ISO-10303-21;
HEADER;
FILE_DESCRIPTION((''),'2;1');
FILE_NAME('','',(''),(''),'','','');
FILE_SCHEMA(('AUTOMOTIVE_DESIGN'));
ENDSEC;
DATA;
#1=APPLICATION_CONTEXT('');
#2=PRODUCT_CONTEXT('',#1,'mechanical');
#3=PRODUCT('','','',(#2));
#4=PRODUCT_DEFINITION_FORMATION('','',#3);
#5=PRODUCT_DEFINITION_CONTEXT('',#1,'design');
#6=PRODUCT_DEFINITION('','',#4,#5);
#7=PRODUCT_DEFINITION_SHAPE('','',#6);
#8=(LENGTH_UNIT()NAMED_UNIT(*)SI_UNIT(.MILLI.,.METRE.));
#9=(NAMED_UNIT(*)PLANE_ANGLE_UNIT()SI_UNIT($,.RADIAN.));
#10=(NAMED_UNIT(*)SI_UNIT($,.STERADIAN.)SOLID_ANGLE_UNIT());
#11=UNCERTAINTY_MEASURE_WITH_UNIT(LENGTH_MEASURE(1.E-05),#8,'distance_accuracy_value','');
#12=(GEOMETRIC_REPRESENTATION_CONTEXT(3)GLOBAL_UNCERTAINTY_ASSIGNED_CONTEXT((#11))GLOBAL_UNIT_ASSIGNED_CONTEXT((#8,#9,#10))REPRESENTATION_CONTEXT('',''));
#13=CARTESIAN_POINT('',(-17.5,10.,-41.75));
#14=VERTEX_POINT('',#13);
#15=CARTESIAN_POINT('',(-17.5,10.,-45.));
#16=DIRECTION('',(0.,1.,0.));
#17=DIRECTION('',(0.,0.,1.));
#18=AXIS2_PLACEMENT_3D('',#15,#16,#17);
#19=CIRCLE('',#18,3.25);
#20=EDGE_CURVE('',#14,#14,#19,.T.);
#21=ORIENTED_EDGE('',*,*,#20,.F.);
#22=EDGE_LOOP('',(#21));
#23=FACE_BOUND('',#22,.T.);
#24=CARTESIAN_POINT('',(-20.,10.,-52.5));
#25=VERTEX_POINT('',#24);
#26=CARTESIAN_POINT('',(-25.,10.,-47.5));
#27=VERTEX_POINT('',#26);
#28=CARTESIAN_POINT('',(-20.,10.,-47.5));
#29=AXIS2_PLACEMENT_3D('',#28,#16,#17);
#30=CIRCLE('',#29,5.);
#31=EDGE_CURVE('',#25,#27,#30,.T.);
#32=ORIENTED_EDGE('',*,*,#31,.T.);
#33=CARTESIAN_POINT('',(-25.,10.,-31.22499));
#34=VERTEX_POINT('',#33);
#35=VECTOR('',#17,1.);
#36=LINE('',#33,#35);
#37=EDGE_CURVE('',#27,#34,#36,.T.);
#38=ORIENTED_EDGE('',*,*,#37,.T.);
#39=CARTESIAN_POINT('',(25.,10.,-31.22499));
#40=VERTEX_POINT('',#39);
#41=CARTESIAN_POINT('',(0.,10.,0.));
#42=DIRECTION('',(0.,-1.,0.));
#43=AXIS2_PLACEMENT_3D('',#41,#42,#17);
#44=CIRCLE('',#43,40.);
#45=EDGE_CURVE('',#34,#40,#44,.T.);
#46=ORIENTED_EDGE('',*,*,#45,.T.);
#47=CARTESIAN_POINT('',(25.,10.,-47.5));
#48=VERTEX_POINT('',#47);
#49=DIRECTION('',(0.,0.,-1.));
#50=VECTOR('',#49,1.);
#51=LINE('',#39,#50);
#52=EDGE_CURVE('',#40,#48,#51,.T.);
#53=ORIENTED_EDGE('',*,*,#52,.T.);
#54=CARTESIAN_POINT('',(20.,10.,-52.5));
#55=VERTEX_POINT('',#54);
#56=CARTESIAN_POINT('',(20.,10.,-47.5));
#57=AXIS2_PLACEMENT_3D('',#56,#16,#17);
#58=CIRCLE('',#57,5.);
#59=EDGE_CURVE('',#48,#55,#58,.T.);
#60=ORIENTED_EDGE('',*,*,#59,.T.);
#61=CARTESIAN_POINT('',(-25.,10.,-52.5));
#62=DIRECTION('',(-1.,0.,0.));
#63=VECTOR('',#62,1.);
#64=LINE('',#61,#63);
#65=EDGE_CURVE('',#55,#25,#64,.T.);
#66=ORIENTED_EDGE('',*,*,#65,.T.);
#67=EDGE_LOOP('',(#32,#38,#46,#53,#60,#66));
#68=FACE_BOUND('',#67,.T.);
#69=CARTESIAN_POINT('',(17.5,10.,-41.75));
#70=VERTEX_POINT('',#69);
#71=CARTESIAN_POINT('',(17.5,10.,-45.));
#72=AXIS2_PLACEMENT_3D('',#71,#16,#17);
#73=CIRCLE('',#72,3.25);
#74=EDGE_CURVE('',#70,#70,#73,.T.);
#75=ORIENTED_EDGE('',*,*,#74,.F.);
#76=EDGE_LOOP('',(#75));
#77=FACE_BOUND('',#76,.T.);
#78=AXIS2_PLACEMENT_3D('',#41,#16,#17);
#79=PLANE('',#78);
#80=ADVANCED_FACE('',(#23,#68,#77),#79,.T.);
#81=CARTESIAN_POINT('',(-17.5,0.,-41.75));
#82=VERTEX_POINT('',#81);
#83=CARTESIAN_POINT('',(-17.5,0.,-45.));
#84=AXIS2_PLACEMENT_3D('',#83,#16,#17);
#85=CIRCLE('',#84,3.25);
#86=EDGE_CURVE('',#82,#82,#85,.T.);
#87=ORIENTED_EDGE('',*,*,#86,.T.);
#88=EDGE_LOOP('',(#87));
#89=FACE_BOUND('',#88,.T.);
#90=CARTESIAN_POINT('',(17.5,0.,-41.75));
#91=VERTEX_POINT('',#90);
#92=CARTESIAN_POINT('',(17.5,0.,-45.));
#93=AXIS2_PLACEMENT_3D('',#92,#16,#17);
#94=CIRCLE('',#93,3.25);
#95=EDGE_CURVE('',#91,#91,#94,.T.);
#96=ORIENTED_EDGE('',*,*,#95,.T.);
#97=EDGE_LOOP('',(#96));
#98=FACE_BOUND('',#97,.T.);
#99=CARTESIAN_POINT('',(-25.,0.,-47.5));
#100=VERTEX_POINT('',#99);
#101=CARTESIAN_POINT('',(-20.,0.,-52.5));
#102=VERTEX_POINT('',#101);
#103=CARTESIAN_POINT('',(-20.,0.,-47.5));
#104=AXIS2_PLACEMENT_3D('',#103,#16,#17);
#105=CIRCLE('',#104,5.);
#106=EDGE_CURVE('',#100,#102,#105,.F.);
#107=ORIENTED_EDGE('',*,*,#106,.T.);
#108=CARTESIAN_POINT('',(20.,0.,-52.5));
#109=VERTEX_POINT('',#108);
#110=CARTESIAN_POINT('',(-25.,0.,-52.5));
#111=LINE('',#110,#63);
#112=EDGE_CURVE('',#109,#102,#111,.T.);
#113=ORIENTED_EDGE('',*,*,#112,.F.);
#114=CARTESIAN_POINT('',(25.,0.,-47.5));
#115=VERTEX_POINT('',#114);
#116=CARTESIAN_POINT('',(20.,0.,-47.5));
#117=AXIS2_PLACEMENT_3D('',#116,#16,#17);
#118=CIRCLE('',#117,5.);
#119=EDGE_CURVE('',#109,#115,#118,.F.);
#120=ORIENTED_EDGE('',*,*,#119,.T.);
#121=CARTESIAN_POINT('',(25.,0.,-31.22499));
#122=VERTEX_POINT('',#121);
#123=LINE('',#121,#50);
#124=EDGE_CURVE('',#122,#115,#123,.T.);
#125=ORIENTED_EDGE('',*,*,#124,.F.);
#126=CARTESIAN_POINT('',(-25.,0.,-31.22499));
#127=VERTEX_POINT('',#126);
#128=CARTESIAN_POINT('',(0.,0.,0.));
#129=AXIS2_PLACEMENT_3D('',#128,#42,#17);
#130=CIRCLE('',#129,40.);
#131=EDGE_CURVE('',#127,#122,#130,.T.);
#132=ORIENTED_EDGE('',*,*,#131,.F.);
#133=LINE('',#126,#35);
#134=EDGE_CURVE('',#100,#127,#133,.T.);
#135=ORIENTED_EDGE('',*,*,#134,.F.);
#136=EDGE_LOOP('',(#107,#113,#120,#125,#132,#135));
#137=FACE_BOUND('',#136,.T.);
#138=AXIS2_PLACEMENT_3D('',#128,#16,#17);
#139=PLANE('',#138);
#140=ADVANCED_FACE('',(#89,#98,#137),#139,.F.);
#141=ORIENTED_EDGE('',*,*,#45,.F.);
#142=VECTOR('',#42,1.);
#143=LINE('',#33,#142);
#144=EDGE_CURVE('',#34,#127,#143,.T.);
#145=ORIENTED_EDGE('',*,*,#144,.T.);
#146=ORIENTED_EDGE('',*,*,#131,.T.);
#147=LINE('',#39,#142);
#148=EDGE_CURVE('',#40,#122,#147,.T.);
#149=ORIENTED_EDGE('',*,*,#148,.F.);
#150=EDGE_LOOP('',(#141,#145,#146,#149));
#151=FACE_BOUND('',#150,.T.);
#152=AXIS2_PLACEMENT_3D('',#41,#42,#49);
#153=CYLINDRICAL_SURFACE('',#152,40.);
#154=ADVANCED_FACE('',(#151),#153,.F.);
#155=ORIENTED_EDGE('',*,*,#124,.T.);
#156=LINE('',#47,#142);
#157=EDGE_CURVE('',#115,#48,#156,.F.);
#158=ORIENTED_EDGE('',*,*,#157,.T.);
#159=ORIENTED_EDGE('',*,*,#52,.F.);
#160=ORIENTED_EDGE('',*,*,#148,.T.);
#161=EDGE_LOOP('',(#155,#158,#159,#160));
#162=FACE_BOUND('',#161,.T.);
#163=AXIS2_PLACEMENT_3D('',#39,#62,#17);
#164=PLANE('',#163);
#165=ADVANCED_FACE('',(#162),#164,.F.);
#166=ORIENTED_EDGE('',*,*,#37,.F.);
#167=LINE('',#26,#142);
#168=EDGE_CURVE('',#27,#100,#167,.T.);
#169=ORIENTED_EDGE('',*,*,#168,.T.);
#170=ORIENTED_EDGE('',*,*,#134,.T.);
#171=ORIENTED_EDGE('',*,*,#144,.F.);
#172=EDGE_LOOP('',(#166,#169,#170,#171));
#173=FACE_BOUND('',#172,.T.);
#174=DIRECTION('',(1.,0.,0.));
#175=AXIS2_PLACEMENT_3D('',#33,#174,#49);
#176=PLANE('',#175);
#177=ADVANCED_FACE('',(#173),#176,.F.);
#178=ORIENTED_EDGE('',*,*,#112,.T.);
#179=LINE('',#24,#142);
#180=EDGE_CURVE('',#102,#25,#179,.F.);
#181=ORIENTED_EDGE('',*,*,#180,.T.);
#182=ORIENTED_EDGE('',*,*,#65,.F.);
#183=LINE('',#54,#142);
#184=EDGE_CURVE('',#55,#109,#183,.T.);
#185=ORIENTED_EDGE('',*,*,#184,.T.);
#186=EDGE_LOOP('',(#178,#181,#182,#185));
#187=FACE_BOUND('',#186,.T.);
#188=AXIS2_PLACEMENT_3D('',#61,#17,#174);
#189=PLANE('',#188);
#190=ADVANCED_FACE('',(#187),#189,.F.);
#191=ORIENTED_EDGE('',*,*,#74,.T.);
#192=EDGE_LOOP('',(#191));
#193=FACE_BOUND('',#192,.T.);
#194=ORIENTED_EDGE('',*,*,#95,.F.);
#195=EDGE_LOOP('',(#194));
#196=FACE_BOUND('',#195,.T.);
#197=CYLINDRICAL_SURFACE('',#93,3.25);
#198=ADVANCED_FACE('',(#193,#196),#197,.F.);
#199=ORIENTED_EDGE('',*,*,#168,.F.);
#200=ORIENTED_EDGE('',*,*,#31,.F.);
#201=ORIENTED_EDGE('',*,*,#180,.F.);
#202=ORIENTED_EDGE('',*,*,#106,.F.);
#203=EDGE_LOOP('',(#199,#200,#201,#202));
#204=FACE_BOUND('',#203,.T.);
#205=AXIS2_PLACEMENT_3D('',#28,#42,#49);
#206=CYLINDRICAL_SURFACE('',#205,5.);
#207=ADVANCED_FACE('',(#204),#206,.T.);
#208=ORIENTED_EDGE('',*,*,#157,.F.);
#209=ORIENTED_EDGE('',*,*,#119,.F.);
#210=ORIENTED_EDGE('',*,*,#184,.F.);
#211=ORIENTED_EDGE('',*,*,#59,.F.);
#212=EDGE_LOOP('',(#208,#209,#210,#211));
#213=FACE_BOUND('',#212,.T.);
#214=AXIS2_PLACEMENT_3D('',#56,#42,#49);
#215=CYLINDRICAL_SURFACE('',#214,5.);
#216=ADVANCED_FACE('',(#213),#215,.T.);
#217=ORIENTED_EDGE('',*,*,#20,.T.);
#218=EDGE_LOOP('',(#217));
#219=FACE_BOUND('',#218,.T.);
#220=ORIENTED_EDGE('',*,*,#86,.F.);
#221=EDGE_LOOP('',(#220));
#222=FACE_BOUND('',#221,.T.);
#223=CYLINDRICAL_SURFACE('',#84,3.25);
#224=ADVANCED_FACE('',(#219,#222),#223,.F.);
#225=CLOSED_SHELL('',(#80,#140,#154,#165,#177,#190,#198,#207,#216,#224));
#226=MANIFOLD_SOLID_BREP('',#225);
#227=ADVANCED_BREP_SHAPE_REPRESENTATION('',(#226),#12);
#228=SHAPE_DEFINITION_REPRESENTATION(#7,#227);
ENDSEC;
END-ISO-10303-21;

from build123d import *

# Parameters (mm, degrees)
BOSS_EXTRU_1_DEPTH      = 10
CONG_1_R                = 5
ESQUISSE3_R             = 3.25
ENL_V_MAT_EXTRU_1_DEPTH = 11


with BuildPart() as part:
    # Esquisse1 → Boss.-Extru.1 (new body)
    with BuildSketch(Plane(origin=(0, 0, 0), x_dir=(1, 0, 0), z_dir=(0, 1, 0))):
        with BuildLine():
            Line((25, 31.224989992), (25, 52.5))
            Line((25, 52.5), (-25, 52.5))
            Line((-25, 52.5), (-25, 31.224989992))
            ThreePointArc((-25, 31.224989992), (0, 40), (25, 31.224989992))
        make_face()
    extrude(amount=BOSS_EXTRU_1_DEPTH)

    # Congé1
    cong_1_edges = [part.edges().sort_by_distance(p)[0] for p in [
        (-25, 5, -52.5),
        (25, 5, -52.5),
    ]]
    fillet(cong_1_edges, radius=CONG_1_R)

    # Esquisse3 → Enlèv. mat.-Extru.1 (cut, through all)
    with BuildSketch(Plane(origin=(0, 10, 0), x_dir=(1, 0, 0), z_dir=(0, 1, 0))):
        with Locations(Location((-17.5, 45, 0), (0, 0, 270))):  # turned: the seam where the file's is
            Circle(ESQUISSE3_R)
        with Locations(Location((17.5, 45, 0), (0, 0, 270))):  # turned: the seam where the file's is
            Circle(ESQUISSE3_R)
    extrude(amount=-ENL_V_MAT_EXTRU_1_DEPTH, mode=Mode.SUBTRACT)


solid = part.part
